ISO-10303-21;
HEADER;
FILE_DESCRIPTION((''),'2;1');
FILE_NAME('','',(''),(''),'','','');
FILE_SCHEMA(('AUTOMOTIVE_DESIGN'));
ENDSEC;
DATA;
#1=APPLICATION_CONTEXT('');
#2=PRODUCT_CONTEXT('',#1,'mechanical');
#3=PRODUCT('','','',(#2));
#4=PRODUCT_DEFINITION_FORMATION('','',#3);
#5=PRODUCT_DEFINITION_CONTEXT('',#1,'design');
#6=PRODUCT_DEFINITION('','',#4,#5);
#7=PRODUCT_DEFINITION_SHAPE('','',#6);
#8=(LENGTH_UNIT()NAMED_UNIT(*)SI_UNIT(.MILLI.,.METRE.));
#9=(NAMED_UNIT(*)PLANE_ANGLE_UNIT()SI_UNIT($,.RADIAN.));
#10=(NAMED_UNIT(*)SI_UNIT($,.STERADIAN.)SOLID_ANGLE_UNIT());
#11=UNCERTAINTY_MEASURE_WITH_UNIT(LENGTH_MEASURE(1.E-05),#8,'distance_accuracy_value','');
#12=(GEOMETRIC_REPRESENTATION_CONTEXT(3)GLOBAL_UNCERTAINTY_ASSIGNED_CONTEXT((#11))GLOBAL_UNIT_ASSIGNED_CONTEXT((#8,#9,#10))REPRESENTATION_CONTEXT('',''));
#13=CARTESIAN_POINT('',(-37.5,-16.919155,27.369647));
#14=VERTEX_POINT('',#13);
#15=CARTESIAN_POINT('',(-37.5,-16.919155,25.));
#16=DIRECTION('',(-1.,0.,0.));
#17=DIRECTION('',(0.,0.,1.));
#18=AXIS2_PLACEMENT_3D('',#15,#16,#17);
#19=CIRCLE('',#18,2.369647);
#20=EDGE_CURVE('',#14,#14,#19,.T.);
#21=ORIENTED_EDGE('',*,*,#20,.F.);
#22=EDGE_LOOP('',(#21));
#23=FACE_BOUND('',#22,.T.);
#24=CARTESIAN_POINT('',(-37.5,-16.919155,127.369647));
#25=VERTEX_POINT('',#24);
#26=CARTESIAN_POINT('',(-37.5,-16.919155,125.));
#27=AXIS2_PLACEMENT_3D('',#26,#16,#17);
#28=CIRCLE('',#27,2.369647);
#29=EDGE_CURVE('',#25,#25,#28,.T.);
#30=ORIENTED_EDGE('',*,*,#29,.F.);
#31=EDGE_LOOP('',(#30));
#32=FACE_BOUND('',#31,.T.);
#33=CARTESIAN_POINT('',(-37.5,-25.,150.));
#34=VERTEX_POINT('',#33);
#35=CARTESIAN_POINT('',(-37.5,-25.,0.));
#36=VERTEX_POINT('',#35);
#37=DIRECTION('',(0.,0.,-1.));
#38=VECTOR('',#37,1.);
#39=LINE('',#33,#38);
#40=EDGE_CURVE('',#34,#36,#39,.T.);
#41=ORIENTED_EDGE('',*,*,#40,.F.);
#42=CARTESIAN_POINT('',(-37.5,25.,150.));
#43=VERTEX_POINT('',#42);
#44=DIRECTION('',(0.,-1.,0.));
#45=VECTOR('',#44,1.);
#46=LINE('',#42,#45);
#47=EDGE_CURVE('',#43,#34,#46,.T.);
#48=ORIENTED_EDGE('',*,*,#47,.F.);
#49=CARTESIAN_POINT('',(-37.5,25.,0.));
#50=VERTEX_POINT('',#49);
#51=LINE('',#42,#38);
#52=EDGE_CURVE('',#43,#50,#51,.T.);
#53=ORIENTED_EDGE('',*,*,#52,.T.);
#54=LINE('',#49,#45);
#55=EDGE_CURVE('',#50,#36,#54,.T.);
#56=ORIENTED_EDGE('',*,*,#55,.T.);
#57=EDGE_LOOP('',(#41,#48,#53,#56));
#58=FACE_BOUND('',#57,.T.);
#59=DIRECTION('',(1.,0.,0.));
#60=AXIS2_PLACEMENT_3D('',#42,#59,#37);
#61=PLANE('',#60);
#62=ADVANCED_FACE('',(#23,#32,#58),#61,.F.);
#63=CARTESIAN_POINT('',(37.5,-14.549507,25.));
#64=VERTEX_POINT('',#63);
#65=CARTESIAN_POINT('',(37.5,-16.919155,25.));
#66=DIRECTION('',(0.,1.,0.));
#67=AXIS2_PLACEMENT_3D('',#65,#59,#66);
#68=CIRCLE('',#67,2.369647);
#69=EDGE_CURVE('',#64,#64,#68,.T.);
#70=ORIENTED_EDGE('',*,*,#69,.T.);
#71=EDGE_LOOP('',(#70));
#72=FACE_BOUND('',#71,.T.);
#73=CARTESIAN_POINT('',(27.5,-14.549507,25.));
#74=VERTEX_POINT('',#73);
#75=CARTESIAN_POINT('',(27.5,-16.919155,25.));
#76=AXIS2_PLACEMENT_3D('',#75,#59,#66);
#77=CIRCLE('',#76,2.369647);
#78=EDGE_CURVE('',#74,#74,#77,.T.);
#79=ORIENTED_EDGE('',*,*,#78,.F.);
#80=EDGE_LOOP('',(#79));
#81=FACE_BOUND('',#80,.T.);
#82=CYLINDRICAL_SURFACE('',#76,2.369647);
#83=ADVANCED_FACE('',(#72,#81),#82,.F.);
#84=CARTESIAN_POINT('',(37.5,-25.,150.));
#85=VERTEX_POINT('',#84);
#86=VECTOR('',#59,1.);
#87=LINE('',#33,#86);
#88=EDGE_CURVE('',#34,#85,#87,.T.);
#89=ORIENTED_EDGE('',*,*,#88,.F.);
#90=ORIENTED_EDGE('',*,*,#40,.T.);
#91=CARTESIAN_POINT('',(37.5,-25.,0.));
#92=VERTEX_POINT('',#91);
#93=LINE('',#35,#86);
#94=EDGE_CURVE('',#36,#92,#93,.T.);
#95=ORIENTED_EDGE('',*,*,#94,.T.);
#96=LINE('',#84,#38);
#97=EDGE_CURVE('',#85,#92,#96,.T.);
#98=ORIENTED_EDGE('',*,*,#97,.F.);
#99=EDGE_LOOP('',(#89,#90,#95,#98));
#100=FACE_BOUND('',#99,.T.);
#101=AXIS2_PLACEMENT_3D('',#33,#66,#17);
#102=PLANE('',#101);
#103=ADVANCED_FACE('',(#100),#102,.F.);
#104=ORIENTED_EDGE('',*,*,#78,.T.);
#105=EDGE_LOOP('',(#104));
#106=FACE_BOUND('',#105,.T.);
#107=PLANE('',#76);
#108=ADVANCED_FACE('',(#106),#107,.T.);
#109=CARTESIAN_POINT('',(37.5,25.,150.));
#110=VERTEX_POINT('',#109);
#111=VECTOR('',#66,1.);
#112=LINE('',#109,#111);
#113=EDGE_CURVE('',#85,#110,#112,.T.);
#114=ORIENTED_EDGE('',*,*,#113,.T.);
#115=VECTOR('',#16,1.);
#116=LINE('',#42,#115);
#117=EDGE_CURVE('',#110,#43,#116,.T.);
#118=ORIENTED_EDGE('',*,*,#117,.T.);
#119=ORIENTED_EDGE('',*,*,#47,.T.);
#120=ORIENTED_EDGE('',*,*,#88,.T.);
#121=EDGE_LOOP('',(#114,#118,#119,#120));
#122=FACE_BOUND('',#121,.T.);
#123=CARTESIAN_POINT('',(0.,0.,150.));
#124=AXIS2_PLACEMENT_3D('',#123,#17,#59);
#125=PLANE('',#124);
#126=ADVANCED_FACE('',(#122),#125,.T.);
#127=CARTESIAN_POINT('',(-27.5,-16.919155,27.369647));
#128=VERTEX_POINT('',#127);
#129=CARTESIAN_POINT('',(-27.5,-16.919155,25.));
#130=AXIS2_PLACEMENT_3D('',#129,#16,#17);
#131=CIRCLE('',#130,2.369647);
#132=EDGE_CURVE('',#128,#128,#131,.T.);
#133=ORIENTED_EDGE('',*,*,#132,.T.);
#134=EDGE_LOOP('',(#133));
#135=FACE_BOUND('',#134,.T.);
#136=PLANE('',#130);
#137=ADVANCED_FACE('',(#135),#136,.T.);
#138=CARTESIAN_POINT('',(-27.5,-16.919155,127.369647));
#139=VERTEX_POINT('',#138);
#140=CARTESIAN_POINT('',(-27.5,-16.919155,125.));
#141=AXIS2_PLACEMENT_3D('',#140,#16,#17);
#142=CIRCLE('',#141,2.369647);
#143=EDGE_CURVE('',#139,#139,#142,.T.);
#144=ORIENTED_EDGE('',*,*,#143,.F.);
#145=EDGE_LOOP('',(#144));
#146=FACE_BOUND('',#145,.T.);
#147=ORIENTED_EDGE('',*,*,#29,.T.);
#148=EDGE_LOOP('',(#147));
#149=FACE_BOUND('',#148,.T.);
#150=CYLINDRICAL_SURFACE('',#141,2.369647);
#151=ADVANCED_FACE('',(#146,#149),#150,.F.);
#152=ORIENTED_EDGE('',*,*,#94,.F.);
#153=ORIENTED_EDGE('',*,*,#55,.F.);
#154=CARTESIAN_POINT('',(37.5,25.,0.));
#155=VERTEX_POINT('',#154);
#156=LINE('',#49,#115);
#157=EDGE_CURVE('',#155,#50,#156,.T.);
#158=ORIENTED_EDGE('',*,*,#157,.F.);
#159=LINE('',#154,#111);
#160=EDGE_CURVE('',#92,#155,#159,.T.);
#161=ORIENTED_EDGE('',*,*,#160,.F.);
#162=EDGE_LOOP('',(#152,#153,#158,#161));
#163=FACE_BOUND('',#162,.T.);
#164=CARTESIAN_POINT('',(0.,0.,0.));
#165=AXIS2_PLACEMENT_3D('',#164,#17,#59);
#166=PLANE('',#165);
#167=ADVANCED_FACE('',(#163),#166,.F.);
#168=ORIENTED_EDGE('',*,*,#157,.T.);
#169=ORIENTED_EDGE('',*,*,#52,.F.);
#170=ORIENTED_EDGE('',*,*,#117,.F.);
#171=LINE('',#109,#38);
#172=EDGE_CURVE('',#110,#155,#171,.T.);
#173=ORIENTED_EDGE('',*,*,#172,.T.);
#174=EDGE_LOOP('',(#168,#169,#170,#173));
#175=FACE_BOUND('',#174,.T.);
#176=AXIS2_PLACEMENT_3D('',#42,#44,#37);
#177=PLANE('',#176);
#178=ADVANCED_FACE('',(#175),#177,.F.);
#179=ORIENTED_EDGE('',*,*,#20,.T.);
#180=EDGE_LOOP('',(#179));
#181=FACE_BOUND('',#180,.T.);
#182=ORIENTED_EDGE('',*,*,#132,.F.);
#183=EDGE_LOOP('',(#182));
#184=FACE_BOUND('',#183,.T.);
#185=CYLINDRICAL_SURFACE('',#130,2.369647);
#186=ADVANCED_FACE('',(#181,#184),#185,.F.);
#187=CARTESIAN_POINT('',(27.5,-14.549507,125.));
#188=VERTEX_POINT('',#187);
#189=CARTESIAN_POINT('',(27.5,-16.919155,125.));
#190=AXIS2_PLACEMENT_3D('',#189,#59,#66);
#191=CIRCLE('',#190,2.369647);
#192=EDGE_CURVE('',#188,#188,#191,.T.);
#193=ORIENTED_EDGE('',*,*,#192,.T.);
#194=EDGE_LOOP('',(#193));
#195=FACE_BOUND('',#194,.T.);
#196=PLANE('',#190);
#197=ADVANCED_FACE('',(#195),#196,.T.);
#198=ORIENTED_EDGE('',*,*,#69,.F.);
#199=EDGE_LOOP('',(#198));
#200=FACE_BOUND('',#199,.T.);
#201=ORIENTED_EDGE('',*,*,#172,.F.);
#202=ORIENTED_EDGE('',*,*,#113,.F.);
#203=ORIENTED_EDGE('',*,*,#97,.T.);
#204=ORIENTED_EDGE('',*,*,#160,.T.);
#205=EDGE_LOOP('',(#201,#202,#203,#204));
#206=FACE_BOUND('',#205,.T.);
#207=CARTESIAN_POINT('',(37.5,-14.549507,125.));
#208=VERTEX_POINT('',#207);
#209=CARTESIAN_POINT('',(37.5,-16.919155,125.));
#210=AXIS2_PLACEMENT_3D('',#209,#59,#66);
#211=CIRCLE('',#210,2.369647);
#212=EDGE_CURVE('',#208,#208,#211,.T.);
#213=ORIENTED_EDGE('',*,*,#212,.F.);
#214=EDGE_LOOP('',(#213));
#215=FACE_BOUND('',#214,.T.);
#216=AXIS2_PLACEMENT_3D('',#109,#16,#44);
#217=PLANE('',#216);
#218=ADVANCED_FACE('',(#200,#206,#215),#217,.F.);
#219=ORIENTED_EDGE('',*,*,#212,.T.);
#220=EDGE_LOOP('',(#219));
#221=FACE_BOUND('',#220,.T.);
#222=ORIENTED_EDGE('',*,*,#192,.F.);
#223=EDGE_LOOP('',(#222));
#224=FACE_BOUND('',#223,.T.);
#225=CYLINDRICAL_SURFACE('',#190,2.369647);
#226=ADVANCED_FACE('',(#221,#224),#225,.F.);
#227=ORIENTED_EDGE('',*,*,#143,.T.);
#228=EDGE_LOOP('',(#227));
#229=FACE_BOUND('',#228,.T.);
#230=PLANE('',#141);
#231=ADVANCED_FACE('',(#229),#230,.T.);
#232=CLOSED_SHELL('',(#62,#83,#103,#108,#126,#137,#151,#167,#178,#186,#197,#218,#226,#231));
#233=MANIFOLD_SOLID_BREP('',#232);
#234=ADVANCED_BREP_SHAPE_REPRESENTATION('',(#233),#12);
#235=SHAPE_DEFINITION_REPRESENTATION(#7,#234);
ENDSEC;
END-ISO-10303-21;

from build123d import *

# Parameters (mm, degrees)
SKETCH1_W           = 75
SKETCH1_H           = 50
BOSS_EXTRUDE1_DEPTH = 150
SKETCH2_R           = 2.369647205
CUT_EXTRUDE1_DEPTH  = 10
CUT_EXTRUDE2_START  = -10
SKETCH3_R           = 2.369647205
CUT_EXTRUDE2_DEPTH  = 10


with BuildPart() as part:
    # Sketch1 → Boss-Extrude1 (new body)
    with BuildSketch(Plane.XY):
        Rectangle(SKETCH1_W, SKETCH1_H)
    extrude(amount=BOSS_EXTRUDE1_DEPTH)

    # Sketch2 → Cut-Extrude1 (cut)
    with BuildSketch(Plane(origin=(37.5, 0, 0), x_dir=(0, 0, -1), z_dir=(1, 0, 0))):
        with Locations(Location((-125, -16.919154578, 0), (0, 0, 90))):
            Circle(SKETCH2_R)
        with Locations(Location((-25, -16.919154578, 0), (0, 0, 90))):
            Circle(SKETCH2_R)
    extrude(amount=-CUT_EXTRUDE1_DEPTH, mode=Mode.SUBTRACT)

    # Sketch3 → Cut-Extrude2 (cut)
    with BuildSketch(Plane.ZY.offset(37.5).offset(CUT_EXTRUDE2_START)):
        with Locations(Location((25, -16.919154578, 0), (0, 0, 90))):
            Circle(SKETCH3_R)
        with Locations(Location((125, -16.919154578, 0), (0, 0, 90))):
            Circle(SKETCH3_R)
    extrude(amount=CUT_EXTRUDE2_DEPTH, mode=Mode.SUBTRACT)


solid = part.part
